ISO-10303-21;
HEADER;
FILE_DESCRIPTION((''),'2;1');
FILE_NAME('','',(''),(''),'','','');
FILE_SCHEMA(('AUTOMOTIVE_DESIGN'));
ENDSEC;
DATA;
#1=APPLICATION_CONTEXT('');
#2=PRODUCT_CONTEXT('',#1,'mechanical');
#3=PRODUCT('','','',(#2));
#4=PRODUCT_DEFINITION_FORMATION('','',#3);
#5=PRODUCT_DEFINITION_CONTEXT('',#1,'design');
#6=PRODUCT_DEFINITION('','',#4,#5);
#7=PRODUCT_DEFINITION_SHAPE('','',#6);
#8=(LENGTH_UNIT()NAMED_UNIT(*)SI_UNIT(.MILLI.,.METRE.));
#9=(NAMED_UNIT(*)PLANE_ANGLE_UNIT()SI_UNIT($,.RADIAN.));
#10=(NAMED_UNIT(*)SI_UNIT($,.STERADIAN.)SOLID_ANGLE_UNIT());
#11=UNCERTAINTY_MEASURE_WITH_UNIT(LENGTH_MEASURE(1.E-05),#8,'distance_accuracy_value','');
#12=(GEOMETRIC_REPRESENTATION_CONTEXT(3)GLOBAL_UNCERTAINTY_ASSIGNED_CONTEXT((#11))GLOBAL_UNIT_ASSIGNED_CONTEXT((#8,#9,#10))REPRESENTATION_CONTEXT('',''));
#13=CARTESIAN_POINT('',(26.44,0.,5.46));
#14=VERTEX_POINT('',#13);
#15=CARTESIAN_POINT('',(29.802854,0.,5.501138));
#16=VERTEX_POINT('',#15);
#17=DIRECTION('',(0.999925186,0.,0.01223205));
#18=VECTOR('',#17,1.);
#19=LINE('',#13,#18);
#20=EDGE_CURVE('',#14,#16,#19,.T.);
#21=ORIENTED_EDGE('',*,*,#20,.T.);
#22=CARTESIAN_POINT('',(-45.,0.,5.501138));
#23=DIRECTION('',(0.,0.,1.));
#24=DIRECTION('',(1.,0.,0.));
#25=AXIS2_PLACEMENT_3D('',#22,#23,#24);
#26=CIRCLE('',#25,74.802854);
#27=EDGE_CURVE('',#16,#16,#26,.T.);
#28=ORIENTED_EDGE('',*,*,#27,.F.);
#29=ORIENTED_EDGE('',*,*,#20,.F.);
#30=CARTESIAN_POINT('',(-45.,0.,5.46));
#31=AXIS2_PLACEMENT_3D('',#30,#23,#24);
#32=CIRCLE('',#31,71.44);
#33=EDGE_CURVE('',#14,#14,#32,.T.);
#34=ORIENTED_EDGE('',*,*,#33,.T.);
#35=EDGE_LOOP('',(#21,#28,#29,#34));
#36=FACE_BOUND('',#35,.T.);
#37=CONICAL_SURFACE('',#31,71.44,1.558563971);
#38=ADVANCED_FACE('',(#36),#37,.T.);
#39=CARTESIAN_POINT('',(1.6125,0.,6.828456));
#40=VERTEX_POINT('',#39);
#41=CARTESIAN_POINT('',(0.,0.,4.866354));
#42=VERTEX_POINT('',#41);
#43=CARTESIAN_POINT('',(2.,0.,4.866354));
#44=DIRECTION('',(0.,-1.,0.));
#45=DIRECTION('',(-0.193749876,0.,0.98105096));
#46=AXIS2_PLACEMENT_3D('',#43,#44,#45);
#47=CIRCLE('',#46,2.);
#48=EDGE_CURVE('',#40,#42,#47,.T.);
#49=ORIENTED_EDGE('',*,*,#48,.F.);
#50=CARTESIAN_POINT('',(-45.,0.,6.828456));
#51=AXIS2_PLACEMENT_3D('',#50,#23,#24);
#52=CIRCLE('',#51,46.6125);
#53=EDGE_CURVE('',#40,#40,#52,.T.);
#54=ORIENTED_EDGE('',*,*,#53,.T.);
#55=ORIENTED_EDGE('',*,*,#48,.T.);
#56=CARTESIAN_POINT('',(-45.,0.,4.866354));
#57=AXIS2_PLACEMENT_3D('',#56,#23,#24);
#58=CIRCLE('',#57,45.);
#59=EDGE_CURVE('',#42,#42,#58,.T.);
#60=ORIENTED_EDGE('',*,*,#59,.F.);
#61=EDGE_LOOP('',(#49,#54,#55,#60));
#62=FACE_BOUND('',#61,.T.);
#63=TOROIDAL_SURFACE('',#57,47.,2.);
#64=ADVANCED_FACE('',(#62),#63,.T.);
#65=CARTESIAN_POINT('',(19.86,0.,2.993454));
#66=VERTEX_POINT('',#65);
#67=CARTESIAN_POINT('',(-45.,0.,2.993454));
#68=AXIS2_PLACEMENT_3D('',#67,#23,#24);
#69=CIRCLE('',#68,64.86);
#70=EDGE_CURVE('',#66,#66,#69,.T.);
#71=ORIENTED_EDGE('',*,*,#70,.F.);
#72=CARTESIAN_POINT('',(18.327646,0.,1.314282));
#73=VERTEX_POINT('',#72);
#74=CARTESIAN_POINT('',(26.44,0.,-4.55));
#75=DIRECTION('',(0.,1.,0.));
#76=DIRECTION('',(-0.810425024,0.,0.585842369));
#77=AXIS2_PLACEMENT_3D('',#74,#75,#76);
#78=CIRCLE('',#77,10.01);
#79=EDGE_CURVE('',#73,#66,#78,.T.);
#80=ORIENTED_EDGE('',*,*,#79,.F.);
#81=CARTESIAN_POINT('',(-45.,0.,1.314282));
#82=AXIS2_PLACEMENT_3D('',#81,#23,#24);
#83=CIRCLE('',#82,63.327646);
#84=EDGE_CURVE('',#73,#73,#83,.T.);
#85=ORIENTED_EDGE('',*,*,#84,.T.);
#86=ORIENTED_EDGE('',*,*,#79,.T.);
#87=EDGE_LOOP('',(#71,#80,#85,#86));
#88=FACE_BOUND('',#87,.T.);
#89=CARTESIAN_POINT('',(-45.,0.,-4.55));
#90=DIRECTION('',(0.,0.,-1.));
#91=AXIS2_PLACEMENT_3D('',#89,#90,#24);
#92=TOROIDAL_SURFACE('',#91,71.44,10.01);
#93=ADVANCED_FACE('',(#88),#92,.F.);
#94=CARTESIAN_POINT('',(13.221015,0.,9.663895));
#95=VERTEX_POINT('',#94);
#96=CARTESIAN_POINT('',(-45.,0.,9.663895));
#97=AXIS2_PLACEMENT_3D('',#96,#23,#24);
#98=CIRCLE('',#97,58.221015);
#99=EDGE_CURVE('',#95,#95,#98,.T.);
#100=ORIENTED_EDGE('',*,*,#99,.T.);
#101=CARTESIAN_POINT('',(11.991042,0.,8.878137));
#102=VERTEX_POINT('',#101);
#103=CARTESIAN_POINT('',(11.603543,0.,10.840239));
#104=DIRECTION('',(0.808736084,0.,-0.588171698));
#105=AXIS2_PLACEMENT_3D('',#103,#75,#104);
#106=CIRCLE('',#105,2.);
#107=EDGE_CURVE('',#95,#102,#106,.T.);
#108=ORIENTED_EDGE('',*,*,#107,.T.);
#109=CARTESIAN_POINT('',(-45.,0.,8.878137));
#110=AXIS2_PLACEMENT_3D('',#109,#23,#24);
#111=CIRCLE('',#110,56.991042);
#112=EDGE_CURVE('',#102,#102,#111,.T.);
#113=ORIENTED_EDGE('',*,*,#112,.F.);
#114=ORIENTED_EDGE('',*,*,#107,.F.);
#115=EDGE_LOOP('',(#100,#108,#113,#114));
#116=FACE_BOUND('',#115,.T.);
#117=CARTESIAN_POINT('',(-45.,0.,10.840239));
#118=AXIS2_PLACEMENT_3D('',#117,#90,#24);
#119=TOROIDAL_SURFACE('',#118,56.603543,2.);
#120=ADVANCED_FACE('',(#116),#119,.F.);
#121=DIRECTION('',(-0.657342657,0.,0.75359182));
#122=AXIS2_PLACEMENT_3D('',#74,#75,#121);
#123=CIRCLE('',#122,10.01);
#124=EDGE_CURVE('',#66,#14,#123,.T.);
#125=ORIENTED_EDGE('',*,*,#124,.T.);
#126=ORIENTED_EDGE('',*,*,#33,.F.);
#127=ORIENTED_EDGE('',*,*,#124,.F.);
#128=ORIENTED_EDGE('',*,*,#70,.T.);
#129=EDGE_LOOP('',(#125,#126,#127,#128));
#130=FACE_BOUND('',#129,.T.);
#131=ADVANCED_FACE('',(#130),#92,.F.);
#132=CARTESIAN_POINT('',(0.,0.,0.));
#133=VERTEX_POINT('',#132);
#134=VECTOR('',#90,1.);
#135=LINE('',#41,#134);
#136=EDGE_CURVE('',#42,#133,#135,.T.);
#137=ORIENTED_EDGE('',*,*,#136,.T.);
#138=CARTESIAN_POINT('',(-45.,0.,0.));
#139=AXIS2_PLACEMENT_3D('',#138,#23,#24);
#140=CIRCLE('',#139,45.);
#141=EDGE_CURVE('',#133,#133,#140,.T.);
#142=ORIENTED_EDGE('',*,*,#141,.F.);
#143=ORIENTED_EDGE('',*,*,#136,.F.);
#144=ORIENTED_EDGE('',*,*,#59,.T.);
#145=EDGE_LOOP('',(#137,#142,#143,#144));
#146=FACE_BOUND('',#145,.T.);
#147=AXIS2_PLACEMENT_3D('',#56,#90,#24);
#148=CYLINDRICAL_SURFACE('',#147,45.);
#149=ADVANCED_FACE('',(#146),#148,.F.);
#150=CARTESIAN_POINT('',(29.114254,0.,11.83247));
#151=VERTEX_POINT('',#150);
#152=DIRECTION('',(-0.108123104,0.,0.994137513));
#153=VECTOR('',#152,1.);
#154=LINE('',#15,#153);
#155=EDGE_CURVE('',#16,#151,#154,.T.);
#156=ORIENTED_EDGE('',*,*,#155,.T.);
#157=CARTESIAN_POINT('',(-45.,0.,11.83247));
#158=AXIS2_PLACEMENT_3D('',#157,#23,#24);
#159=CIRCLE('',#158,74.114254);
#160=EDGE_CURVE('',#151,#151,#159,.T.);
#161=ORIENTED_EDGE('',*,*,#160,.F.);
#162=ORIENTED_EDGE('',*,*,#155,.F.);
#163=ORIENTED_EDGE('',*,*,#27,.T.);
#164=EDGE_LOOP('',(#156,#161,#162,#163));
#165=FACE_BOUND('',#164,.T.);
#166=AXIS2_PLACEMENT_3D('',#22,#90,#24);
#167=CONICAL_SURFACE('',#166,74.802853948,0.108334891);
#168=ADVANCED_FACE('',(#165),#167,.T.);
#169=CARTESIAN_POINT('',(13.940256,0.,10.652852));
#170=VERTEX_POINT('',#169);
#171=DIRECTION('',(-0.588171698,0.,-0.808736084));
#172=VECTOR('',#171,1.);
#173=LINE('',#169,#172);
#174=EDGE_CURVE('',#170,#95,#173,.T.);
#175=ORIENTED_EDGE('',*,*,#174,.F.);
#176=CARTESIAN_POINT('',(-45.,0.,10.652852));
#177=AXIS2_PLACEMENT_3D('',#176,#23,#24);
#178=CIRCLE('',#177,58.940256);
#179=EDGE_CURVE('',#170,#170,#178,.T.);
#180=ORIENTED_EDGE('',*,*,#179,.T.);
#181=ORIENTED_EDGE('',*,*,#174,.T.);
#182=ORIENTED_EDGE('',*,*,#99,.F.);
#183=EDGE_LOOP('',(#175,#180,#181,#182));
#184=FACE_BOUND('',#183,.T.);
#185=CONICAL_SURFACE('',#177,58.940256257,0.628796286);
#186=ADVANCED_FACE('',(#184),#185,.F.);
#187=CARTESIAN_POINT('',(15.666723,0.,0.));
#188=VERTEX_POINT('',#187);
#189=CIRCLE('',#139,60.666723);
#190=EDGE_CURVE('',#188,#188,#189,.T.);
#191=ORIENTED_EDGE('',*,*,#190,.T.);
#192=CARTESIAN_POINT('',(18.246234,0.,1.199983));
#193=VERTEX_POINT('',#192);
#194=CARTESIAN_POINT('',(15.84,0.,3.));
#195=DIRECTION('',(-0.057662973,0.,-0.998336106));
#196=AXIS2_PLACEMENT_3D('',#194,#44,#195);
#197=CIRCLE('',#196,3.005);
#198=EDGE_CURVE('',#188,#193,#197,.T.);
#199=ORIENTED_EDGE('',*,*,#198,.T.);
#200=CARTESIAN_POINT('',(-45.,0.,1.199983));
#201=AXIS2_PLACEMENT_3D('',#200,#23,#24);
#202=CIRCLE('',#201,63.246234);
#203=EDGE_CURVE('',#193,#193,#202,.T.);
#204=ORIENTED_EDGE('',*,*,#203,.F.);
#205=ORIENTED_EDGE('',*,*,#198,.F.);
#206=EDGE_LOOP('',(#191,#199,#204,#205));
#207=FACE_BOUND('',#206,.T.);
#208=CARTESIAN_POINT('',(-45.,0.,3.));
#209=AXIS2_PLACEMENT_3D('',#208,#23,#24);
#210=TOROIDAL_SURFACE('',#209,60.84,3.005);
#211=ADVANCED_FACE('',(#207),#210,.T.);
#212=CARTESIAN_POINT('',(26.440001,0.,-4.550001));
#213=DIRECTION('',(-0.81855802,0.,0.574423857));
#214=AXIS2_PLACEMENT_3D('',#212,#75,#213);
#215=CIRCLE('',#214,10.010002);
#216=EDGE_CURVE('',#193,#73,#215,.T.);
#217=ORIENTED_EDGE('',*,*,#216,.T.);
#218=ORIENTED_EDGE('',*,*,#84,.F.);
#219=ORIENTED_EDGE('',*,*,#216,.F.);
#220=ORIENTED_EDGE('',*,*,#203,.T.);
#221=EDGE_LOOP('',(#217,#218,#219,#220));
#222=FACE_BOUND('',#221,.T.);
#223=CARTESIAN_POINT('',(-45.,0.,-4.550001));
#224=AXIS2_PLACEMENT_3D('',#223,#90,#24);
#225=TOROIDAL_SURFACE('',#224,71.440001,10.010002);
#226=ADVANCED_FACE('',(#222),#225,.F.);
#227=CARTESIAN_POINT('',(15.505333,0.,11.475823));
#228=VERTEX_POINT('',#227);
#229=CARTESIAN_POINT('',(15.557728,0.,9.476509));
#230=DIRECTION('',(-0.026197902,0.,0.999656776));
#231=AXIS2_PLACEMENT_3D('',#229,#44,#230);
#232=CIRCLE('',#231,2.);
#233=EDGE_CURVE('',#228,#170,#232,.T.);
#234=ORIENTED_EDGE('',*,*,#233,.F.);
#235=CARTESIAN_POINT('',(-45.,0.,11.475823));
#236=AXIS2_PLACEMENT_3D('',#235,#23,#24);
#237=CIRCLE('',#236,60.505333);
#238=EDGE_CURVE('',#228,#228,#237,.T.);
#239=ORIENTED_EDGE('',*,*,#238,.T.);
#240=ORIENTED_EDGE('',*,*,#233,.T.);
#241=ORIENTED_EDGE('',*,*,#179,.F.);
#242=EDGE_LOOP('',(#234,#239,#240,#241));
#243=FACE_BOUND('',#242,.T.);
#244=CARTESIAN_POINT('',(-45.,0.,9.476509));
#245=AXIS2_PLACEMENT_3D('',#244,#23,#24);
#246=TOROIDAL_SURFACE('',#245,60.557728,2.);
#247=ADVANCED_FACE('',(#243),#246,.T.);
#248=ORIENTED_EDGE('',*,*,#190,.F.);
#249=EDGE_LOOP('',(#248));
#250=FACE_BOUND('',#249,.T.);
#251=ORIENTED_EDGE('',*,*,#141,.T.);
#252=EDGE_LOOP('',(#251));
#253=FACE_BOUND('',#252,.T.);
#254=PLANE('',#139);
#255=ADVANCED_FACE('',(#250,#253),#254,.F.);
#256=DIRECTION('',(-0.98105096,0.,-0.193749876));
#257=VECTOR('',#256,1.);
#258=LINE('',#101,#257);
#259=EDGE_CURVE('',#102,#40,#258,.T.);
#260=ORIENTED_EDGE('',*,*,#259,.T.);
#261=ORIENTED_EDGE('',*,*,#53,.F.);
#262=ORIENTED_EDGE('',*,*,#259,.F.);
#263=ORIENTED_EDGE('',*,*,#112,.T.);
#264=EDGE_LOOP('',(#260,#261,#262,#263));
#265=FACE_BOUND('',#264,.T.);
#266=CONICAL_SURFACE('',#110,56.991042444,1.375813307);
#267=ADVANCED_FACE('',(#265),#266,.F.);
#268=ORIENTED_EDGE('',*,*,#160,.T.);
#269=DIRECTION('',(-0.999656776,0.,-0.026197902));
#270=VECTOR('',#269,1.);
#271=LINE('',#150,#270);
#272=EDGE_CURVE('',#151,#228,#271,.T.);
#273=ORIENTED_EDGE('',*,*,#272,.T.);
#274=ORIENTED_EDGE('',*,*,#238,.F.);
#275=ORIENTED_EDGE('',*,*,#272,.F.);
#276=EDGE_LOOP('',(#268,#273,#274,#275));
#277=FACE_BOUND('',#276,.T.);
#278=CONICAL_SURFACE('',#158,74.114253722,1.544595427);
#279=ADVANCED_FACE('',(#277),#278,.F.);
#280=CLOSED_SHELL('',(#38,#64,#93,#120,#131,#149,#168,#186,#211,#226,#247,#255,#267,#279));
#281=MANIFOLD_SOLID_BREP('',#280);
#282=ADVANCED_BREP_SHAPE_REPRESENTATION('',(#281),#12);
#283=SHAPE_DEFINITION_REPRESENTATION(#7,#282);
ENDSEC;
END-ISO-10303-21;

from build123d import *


with BuildPart() as f2:
    # F0 (on Front) → F2 (revolve)
    with BuildSketch(Plane.XZ):
        with BuildLine():
            Line((0, 4.8663542424), (0, 0))
            Line((0, 0), (15.6667227655, 0))
            ThreePointArc((15.6667227655, 0), (13.7773164433, 5.1852600634), (18.845, 3))
            Line((18.845, 3), (19.86, 3))
            Line((19.86, 3), (19.86, 2.993454116))
            ThreePointArc((19.86, 2.993454116), (22.9264459376, 4.8231018265), (26.44, 5.46))
            Line((26.44, 5.46), (29.802853948, 5.5011376765))
            Line((29.802853948, 5.5011376765), (29.114253722, 11.8324700975))
            Line((29.114253722, 11.8324700975), (15.5053326221, 11.4758225101))
            ThreePointArc((15.5053326221, 11.4758225101), (14.6269036672, 11.2466968771), (13.9402562569, 10.6528523533))
            Line((13.9402562569, 10.6528523533), (13.2210148604, 9.663895433))
            ThreePointArc((13.2210148604, 9.663895433), (12.6802655973, 9.1548107567), (11.9910424439, 8.878136909))
            Line((11.9910424439, 8.878136909), (1.6125002479, 6.8284561618))
            ThreePointArc((1.6125002479, 6.8284561618), (0.4548463662, 6.1361968499), (0, 4.8663542424))
        make_face()
        with BuildLine():
            Line((15.84, 0), (15.6667227655, 0))
            ThreePointArc((15.6667227655, 0), (17.1074832919, 0.2753878983), (18.2462342114, 1.1999828002))
            ThreePointArc((18.2462342114, 1.1999828002), (18.2867395672, 1.2572751196), (18.327645514, 1.3142821124))
            ThreePointArc((18.327645514, 1.3142821124), (19.0460007614, 2.1975088188), (19.86, 2.993454116))
            Line((19.86, 2.993454116), (19.86, 3))
            Line((19.86, 3), (18.845, 3))
            Line((18.845, 3), (15.84, 3))
            Line((15.84, 3), (15.84, 0))
        make_face()
        with BuildLine():
            ThreePointArc((18.845, 3), (13.7773164433, 5.1852600634), (15.6667227655, 0))
            Line((15.6667227655, 0), (15.84, 0))
            Line((15.84, 0), (15.84, 3))
            Line((15.84, 3), (18.845, 3))
        make_face()
    revolve(axis=Axis((-45, 0, 0), (0, 0, 1)))


solid = f2.part
